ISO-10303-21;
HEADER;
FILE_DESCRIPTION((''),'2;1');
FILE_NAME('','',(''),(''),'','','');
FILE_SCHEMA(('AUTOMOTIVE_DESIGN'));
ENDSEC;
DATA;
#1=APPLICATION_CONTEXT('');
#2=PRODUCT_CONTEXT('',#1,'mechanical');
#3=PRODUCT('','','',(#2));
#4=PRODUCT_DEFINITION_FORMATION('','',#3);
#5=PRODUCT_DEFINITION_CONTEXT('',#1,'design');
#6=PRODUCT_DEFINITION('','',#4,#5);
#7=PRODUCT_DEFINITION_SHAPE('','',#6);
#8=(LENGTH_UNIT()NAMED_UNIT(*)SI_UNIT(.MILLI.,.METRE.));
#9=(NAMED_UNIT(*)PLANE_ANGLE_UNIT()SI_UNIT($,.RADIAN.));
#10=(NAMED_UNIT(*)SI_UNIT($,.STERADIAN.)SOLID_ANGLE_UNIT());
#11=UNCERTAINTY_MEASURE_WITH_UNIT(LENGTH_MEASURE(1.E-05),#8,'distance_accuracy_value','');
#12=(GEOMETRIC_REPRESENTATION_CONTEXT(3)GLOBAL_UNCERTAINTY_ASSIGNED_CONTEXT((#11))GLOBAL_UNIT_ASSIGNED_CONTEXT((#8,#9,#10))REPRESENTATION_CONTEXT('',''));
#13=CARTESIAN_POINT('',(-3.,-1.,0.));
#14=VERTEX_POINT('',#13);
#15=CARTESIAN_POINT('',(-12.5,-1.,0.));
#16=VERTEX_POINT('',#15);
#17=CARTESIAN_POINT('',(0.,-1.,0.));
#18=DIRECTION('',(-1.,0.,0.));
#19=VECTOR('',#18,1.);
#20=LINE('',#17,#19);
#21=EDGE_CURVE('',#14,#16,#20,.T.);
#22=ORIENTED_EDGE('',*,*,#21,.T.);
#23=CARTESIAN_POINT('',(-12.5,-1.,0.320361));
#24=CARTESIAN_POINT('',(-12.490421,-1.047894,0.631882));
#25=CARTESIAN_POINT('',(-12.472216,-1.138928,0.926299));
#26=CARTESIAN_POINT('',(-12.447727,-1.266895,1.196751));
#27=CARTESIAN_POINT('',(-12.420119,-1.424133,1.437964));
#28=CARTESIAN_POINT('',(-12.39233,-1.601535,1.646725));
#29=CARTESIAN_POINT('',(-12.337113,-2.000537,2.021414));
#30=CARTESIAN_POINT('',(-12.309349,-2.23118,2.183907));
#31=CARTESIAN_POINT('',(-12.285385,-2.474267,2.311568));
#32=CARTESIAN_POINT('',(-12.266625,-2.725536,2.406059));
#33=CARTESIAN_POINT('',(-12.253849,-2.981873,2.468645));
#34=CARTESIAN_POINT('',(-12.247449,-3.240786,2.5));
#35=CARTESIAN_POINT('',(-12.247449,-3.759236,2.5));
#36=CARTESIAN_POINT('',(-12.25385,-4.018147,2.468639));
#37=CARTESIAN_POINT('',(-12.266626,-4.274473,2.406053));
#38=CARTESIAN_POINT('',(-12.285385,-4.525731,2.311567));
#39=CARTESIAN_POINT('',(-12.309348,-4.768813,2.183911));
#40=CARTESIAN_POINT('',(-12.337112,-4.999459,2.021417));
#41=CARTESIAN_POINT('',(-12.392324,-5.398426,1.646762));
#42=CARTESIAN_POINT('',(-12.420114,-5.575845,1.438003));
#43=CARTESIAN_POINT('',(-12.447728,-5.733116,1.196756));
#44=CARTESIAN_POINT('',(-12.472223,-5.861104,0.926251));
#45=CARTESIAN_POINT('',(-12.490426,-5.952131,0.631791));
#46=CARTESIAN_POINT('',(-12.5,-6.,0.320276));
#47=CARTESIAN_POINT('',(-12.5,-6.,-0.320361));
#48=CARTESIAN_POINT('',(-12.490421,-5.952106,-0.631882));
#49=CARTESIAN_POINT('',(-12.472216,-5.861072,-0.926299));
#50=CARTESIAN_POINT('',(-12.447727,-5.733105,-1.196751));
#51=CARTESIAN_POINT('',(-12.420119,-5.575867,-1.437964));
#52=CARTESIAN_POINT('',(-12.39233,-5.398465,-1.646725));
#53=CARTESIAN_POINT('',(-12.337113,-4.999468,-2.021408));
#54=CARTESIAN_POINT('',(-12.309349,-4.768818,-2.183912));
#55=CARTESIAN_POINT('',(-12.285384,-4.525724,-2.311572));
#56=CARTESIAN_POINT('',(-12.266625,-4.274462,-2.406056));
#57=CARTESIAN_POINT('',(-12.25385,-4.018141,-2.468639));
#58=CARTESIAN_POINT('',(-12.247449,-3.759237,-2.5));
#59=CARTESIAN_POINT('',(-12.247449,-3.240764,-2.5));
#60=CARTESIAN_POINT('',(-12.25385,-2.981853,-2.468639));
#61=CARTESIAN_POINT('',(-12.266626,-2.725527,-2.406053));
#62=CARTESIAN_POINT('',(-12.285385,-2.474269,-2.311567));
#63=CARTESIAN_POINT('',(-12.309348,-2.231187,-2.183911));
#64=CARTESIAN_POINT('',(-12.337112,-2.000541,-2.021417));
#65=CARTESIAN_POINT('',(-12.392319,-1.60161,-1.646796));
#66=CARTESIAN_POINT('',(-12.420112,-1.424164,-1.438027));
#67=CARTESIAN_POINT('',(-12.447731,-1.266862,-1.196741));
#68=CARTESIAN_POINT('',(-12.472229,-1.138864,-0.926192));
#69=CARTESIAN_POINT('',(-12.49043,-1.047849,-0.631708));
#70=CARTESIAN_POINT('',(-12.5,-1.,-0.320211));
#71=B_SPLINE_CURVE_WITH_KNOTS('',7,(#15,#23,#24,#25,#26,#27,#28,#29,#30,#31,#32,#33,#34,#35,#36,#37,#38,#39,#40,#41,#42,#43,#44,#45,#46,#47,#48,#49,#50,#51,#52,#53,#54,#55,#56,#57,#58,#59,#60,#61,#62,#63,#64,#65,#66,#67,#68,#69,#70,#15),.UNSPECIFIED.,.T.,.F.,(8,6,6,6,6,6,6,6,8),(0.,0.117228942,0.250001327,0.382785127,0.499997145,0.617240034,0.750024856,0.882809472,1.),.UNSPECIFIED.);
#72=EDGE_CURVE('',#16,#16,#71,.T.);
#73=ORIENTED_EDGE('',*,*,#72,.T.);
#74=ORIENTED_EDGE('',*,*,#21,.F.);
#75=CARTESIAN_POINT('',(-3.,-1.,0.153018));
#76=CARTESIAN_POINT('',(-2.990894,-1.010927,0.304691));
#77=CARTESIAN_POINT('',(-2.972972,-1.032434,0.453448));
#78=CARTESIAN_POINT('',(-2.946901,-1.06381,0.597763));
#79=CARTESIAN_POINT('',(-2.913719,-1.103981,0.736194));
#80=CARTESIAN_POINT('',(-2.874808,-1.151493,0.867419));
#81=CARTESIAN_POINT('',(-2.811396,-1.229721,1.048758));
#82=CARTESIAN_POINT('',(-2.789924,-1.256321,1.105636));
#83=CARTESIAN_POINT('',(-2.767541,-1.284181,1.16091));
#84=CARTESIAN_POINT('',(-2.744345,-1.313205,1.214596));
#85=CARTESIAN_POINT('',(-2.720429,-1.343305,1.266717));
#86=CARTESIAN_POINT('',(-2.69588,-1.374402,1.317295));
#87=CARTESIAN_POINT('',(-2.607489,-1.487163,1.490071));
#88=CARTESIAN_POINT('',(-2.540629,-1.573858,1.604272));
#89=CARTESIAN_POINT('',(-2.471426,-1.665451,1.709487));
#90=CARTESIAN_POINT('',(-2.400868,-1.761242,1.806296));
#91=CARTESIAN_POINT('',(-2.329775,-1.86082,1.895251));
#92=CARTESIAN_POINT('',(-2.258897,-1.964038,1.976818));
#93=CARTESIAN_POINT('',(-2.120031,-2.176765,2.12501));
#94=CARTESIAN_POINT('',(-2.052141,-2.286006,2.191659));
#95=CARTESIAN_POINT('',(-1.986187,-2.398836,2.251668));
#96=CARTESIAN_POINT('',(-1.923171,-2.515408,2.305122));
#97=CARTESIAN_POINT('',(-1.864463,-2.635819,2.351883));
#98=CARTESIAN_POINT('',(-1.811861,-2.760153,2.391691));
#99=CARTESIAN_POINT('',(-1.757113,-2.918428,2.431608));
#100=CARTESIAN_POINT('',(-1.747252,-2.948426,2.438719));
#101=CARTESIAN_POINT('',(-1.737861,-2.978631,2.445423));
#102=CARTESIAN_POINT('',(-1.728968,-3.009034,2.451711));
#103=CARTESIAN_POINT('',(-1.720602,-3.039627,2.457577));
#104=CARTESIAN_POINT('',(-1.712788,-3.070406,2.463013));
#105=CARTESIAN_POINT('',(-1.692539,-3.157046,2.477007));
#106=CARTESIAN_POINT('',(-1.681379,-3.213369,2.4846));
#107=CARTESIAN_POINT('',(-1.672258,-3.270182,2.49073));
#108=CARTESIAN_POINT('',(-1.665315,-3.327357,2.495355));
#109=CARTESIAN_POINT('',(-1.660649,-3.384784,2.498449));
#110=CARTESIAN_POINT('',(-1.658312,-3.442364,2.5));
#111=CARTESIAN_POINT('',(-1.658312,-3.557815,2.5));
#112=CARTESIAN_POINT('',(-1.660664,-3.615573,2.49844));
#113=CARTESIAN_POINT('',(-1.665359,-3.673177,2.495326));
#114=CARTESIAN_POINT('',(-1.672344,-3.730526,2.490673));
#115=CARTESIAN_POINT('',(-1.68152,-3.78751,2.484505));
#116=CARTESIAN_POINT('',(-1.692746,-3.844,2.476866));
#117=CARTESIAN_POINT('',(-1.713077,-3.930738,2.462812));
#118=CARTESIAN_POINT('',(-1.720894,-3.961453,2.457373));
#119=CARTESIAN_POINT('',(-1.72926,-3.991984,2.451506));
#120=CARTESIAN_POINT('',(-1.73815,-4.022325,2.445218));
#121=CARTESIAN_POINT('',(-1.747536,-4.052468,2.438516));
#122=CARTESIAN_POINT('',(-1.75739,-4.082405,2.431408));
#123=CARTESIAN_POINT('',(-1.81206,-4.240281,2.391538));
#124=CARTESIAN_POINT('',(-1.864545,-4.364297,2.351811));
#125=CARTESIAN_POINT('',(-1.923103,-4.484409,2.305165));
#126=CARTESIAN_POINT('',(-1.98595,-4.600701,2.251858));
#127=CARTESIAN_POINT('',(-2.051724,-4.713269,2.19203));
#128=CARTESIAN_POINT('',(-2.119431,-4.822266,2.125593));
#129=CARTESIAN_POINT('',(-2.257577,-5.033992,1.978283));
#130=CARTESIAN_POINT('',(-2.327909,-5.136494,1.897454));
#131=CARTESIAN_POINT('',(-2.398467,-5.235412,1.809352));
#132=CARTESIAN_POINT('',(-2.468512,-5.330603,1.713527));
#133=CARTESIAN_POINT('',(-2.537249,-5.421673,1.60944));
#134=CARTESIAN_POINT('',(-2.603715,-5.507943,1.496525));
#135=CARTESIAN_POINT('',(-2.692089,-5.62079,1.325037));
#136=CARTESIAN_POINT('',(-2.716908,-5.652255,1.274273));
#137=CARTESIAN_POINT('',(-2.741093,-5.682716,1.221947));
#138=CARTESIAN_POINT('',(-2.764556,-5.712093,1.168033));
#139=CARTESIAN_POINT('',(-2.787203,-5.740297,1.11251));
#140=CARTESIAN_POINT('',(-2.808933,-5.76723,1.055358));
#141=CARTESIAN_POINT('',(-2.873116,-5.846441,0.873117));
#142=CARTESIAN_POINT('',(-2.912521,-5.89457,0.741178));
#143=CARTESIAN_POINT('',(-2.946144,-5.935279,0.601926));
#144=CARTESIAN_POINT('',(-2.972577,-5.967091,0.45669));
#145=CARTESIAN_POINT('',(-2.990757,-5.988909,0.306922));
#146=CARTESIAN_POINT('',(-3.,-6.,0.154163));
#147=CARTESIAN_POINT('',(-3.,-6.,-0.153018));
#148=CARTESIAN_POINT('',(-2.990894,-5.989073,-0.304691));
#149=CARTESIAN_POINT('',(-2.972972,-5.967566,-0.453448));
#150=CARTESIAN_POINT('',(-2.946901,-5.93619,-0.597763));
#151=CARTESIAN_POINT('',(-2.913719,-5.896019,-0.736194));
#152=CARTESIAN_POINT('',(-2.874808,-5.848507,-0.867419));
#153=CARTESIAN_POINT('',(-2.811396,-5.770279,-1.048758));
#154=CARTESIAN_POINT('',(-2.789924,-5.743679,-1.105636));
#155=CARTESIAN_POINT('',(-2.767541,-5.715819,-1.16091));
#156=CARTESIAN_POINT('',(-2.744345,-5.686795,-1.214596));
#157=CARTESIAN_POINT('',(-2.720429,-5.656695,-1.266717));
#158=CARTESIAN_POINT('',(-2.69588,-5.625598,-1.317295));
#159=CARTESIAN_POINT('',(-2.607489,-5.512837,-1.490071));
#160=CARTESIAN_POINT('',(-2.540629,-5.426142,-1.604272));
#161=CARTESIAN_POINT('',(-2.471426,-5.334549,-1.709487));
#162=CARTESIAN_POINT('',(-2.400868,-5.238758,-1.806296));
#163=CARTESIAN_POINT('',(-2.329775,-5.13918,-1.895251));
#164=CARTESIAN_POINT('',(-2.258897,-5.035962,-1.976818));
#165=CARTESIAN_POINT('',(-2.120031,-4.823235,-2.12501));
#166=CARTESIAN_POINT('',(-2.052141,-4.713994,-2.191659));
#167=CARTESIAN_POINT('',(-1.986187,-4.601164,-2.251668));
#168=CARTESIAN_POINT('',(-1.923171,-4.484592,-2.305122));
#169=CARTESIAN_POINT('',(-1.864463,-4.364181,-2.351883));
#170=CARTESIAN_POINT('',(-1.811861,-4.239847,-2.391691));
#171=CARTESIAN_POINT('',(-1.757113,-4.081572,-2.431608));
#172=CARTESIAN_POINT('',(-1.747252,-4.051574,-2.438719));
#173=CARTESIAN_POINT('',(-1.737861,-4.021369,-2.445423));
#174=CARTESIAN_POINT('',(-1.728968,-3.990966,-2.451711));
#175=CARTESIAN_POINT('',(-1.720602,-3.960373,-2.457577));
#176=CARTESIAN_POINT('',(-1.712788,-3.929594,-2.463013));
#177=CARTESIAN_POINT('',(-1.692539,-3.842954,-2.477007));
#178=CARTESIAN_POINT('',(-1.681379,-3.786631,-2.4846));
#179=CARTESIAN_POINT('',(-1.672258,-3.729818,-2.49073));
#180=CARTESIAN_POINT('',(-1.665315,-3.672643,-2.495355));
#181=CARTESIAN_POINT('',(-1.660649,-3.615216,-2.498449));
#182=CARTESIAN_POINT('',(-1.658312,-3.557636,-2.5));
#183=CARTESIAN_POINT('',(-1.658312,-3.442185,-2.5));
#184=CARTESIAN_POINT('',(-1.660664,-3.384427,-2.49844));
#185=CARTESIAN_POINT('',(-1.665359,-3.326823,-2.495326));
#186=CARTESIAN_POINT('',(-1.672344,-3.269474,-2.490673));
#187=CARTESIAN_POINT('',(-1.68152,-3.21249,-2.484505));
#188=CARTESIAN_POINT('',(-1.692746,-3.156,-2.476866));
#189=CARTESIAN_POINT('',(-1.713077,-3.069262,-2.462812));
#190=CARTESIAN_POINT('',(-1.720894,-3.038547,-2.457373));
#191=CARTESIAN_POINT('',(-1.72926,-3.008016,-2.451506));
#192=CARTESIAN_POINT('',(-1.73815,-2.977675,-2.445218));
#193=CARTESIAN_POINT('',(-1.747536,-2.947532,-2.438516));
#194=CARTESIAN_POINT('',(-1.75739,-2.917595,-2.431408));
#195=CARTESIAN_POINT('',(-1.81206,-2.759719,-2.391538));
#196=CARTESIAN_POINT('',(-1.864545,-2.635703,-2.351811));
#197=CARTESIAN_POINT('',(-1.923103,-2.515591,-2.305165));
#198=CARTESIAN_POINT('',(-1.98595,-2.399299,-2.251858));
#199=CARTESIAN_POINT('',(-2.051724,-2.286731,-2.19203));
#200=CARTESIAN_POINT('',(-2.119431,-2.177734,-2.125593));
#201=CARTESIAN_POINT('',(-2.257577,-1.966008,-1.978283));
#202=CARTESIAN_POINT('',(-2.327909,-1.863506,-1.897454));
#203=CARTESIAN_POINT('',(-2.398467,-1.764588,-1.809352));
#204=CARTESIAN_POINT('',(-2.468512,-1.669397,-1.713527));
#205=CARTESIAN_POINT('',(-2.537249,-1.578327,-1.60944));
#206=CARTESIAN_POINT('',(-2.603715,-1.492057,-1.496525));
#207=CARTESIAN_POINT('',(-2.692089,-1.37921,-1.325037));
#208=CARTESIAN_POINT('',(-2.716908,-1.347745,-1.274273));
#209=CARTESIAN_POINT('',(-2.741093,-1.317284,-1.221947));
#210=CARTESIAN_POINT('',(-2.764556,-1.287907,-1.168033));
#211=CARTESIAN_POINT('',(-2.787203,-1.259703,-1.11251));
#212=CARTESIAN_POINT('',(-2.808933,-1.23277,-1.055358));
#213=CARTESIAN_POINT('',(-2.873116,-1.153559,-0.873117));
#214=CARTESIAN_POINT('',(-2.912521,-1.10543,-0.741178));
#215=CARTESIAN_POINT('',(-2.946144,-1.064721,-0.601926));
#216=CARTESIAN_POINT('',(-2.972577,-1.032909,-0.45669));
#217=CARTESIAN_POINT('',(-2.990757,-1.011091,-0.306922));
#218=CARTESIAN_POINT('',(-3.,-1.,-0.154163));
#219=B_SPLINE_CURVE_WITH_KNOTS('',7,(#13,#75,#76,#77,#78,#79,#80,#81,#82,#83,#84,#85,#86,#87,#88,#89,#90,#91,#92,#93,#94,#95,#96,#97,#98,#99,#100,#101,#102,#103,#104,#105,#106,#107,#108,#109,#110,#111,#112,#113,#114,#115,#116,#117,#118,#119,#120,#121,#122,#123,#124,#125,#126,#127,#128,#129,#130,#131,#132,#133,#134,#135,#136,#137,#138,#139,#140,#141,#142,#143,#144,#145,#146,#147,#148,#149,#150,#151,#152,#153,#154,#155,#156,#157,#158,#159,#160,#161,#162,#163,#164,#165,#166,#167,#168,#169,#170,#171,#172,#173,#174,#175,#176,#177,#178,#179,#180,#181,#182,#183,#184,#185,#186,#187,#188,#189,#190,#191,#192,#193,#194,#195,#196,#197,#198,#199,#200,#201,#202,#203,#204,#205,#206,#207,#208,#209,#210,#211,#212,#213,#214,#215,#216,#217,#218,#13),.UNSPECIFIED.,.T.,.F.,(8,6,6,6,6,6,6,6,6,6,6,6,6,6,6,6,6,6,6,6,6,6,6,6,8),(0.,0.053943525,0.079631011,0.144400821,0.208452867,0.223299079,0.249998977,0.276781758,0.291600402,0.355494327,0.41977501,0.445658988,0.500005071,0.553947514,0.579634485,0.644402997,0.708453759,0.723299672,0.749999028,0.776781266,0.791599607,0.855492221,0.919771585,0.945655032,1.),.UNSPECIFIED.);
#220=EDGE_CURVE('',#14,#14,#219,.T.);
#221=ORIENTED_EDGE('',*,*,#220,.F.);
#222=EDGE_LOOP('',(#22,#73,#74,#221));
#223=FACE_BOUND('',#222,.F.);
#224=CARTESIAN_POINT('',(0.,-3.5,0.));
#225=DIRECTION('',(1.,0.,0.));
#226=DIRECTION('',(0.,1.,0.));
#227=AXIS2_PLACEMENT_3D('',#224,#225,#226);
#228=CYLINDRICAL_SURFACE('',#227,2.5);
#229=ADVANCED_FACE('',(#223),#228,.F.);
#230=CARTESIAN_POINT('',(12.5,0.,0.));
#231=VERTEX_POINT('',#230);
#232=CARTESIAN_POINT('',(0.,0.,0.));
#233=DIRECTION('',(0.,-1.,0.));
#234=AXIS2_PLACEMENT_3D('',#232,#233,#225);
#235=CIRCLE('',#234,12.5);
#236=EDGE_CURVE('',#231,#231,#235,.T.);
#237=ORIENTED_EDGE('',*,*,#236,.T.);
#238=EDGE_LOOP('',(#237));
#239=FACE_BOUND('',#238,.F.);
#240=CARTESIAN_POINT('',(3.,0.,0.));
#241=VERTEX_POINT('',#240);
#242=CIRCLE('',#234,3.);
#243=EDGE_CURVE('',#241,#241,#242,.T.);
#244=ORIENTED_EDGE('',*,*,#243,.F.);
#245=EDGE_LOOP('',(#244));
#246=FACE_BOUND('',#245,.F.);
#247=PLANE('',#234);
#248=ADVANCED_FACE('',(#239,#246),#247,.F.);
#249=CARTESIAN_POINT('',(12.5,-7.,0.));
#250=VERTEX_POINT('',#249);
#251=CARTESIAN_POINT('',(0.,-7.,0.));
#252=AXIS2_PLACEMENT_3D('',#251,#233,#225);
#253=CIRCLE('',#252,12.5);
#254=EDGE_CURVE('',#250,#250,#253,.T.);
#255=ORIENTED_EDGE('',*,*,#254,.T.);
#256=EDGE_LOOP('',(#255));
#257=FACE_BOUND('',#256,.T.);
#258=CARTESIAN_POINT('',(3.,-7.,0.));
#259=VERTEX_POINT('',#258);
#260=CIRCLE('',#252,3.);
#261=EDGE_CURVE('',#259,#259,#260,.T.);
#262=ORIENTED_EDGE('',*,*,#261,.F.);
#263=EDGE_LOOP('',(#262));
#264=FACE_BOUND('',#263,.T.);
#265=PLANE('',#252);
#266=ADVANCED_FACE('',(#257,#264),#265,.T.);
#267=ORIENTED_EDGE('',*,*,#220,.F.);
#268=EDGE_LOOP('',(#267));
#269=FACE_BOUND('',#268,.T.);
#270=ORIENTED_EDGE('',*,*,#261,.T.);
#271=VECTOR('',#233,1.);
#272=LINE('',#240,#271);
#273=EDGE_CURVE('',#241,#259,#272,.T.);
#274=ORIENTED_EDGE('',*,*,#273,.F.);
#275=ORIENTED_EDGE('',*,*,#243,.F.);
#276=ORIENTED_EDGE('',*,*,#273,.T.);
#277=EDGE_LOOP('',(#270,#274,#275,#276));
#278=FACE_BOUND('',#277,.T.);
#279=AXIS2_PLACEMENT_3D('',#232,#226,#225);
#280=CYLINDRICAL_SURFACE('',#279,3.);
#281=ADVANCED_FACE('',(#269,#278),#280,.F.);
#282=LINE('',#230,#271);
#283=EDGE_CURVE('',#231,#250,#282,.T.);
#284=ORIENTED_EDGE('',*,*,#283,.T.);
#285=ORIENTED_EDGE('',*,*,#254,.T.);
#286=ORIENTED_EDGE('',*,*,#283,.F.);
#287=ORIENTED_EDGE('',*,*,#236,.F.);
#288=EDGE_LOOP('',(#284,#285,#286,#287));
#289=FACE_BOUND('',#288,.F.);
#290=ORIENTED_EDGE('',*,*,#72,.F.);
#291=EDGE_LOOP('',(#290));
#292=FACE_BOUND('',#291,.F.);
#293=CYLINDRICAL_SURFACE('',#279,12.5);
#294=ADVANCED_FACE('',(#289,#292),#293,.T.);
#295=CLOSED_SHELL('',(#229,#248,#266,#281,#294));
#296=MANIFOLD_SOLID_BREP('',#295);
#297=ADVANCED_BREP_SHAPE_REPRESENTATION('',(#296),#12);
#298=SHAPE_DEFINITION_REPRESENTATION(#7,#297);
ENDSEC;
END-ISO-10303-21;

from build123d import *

# Parameters (mm, degrees)
F0_R     = 12.5
F0_R_2   = 3
F1_DEPTH = 7
F2_R     = 2.5
F3_DEPTH = 25


with BuildPart() as f1:
    # F0 (on Front) → F1 (new body)
    with BuildSketch(Plane.XZ):
        Circle(F0_R)
        Circle(F0_R_2, mode=Mode.SUBTRACT)
    extrude(amount=F1_DEPTH)

    # F2 (on Right) → F3 (cut)
    with BuildSketch(Plane.YZ):
        with Locations((-3.5, 0)):
            Circle(F2_R)
    extrude(amount=-F3_DEPTH, mode=Mode.SUBTRACT)


solid = f1.part
